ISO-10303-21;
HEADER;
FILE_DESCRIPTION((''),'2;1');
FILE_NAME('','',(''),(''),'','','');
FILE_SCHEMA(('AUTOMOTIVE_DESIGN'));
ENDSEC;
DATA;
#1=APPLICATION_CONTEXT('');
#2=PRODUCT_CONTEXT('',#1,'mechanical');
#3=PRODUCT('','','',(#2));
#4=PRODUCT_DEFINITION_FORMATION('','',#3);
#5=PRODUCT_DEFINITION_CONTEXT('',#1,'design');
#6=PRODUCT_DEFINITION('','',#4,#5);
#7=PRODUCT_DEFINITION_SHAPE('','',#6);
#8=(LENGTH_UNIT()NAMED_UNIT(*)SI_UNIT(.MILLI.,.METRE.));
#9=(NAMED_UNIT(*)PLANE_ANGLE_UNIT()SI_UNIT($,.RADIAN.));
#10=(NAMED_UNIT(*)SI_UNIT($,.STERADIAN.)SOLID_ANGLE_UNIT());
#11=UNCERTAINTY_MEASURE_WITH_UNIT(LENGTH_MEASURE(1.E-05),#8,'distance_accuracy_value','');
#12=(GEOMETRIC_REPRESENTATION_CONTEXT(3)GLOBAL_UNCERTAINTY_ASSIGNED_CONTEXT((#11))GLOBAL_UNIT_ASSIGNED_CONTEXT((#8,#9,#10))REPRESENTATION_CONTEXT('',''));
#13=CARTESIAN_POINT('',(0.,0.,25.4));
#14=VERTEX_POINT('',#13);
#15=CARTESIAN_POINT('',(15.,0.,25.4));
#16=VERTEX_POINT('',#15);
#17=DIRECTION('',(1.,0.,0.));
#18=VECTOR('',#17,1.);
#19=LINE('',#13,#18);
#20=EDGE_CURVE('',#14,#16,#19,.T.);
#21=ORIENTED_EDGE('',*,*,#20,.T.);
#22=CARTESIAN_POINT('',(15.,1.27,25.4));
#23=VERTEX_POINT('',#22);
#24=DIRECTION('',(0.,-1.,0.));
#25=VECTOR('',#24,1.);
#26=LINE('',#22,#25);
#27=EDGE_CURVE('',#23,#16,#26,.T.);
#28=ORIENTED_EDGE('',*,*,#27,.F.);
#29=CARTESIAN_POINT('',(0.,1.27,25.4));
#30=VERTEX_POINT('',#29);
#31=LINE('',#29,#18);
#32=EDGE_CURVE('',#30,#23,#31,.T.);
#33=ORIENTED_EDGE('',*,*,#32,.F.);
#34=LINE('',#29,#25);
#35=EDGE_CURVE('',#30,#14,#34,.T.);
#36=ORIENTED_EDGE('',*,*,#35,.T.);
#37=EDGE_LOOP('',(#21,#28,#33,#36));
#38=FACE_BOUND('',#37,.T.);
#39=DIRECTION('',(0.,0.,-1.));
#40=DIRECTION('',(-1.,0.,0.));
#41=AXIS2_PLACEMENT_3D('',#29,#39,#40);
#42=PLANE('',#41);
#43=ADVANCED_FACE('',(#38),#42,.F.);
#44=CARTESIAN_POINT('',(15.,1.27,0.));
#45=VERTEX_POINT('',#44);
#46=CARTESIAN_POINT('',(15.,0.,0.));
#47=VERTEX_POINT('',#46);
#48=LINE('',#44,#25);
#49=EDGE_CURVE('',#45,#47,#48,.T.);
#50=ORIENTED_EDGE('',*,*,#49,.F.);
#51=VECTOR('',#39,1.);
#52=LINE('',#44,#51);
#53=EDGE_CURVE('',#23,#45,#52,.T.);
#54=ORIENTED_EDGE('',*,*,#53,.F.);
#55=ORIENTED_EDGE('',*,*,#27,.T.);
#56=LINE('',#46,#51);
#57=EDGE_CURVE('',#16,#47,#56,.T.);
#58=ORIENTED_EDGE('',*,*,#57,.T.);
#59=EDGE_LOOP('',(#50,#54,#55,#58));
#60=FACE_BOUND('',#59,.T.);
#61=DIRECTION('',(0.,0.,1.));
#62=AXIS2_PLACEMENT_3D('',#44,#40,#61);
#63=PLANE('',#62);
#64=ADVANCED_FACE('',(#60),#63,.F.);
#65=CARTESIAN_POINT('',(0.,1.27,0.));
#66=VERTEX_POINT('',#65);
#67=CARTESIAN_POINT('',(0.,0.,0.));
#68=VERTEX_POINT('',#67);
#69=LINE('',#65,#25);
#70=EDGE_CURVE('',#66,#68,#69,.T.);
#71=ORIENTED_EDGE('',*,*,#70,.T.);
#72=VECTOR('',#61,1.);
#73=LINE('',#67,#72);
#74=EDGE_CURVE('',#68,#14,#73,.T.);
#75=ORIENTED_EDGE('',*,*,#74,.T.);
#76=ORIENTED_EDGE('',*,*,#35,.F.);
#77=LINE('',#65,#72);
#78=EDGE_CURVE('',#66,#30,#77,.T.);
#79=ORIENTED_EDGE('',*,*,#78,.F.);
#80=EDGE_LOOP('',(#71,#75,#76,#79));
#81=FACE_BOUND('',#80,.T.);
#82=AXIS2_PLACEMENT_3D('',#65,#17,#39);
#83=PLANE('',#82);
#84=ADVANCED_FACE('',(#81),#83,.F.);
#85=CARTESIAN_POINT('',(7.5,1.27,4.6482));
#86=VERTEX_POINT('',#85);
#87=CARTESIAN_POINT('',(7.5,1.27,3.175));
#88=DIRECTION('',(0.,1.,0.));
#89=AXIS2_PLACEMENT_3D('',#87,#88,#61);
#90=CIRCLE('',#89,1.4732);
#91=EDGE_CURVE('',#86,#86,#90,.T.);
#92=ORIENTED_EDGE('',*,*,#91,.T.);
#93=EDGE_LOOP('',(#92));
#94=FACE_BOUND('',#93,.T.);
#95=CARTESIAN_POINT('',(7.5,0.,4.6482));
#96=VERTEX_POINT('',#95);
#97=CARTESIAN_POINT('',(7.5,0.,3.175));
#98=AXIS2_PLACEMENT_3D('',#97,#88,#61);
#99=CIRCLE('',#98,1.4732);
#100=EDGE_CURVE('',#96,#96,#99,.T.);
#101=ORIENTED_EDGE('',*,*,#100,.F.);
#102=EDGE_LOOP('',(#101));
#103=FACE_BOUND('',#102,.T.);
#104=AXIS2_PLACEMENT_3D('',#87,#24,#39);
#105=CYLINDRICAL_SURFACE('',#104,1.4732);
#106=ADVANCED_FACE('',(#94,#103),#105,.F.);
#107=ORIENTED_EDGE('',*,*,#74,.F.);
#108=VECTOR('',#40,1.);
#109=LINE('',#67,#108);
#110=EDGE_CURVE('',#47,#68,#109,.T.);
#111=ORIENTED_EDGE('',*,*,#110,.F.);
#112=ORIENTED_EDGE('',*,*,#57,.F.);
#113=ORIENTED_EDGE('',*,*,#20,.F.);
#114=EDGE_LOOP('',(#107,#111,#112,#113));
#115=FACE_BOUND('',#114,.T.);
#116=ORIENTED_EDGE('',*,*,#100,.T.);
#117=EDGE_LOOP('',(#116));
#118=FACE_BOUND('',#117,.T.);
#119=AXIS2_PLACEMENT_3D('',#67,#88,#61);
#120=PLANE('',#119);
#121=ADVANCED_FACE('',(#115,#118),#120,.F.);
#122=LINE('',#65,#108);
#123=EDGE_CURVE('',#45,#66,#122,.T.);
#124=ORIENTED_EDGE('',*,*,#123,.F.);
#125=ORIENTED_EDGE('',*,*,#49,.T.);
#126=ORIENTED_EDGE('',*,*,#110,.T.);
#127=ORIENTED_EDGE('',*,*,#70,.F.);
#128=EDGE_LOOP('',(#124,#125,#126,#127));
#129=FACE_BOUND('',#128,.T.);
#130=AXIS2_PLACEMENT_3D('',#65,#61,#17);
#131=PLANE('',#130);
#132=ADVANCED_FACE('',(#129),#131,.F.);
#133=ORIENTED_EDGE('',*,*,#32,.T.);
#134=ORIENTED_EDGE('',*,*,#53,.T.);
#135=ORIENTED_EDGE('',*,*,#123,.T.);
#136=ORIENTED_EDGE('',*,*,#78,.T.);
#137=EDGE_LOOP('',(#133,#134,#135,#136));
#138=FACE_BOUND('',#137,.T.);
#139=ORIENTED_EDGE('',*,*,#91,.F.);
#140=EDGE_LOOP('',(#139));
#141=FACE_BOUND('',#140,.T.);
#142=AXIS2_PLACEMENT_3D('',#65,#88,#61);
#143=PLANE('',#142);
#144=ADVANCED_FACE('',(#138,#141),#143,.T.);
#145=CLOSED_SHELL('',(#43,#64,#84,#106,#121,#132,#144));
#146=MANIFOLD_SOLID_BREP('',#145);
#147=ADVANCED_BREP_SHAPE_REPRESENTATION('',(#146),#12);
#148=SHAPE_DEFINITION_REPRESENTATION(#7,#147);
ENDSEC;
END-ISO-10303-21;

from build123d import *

# Parameters (mm, degrees)
SKETCH1_W           = 15
SKETCH1_H           = 25.4
SKETCH1_R           = 1.4732
BOSS_EXTRUDE1_DEPTH = 1.27


with BuildPart() as part:
    # Sketch1 → Boss-Extrude1 (new body)
    with BuildSketch(Plane(origin=(0, 0, 0), x_dir=(1, 0, 0), z_dir=(0, 1, 0))):
        with Locations((7.5, -12.7)):
            Rectangle(SKETCH1_W, SKETCH1_H)
        with Locations(Location((7.5, -3.175, 0), (0, 0, 270))):
            Circle(SKETCH1_R, mode=Mode.SUBTRACT)
    extrude(amount=BOSS_EXTRUDE1_DEPTH)


solid = part.part
